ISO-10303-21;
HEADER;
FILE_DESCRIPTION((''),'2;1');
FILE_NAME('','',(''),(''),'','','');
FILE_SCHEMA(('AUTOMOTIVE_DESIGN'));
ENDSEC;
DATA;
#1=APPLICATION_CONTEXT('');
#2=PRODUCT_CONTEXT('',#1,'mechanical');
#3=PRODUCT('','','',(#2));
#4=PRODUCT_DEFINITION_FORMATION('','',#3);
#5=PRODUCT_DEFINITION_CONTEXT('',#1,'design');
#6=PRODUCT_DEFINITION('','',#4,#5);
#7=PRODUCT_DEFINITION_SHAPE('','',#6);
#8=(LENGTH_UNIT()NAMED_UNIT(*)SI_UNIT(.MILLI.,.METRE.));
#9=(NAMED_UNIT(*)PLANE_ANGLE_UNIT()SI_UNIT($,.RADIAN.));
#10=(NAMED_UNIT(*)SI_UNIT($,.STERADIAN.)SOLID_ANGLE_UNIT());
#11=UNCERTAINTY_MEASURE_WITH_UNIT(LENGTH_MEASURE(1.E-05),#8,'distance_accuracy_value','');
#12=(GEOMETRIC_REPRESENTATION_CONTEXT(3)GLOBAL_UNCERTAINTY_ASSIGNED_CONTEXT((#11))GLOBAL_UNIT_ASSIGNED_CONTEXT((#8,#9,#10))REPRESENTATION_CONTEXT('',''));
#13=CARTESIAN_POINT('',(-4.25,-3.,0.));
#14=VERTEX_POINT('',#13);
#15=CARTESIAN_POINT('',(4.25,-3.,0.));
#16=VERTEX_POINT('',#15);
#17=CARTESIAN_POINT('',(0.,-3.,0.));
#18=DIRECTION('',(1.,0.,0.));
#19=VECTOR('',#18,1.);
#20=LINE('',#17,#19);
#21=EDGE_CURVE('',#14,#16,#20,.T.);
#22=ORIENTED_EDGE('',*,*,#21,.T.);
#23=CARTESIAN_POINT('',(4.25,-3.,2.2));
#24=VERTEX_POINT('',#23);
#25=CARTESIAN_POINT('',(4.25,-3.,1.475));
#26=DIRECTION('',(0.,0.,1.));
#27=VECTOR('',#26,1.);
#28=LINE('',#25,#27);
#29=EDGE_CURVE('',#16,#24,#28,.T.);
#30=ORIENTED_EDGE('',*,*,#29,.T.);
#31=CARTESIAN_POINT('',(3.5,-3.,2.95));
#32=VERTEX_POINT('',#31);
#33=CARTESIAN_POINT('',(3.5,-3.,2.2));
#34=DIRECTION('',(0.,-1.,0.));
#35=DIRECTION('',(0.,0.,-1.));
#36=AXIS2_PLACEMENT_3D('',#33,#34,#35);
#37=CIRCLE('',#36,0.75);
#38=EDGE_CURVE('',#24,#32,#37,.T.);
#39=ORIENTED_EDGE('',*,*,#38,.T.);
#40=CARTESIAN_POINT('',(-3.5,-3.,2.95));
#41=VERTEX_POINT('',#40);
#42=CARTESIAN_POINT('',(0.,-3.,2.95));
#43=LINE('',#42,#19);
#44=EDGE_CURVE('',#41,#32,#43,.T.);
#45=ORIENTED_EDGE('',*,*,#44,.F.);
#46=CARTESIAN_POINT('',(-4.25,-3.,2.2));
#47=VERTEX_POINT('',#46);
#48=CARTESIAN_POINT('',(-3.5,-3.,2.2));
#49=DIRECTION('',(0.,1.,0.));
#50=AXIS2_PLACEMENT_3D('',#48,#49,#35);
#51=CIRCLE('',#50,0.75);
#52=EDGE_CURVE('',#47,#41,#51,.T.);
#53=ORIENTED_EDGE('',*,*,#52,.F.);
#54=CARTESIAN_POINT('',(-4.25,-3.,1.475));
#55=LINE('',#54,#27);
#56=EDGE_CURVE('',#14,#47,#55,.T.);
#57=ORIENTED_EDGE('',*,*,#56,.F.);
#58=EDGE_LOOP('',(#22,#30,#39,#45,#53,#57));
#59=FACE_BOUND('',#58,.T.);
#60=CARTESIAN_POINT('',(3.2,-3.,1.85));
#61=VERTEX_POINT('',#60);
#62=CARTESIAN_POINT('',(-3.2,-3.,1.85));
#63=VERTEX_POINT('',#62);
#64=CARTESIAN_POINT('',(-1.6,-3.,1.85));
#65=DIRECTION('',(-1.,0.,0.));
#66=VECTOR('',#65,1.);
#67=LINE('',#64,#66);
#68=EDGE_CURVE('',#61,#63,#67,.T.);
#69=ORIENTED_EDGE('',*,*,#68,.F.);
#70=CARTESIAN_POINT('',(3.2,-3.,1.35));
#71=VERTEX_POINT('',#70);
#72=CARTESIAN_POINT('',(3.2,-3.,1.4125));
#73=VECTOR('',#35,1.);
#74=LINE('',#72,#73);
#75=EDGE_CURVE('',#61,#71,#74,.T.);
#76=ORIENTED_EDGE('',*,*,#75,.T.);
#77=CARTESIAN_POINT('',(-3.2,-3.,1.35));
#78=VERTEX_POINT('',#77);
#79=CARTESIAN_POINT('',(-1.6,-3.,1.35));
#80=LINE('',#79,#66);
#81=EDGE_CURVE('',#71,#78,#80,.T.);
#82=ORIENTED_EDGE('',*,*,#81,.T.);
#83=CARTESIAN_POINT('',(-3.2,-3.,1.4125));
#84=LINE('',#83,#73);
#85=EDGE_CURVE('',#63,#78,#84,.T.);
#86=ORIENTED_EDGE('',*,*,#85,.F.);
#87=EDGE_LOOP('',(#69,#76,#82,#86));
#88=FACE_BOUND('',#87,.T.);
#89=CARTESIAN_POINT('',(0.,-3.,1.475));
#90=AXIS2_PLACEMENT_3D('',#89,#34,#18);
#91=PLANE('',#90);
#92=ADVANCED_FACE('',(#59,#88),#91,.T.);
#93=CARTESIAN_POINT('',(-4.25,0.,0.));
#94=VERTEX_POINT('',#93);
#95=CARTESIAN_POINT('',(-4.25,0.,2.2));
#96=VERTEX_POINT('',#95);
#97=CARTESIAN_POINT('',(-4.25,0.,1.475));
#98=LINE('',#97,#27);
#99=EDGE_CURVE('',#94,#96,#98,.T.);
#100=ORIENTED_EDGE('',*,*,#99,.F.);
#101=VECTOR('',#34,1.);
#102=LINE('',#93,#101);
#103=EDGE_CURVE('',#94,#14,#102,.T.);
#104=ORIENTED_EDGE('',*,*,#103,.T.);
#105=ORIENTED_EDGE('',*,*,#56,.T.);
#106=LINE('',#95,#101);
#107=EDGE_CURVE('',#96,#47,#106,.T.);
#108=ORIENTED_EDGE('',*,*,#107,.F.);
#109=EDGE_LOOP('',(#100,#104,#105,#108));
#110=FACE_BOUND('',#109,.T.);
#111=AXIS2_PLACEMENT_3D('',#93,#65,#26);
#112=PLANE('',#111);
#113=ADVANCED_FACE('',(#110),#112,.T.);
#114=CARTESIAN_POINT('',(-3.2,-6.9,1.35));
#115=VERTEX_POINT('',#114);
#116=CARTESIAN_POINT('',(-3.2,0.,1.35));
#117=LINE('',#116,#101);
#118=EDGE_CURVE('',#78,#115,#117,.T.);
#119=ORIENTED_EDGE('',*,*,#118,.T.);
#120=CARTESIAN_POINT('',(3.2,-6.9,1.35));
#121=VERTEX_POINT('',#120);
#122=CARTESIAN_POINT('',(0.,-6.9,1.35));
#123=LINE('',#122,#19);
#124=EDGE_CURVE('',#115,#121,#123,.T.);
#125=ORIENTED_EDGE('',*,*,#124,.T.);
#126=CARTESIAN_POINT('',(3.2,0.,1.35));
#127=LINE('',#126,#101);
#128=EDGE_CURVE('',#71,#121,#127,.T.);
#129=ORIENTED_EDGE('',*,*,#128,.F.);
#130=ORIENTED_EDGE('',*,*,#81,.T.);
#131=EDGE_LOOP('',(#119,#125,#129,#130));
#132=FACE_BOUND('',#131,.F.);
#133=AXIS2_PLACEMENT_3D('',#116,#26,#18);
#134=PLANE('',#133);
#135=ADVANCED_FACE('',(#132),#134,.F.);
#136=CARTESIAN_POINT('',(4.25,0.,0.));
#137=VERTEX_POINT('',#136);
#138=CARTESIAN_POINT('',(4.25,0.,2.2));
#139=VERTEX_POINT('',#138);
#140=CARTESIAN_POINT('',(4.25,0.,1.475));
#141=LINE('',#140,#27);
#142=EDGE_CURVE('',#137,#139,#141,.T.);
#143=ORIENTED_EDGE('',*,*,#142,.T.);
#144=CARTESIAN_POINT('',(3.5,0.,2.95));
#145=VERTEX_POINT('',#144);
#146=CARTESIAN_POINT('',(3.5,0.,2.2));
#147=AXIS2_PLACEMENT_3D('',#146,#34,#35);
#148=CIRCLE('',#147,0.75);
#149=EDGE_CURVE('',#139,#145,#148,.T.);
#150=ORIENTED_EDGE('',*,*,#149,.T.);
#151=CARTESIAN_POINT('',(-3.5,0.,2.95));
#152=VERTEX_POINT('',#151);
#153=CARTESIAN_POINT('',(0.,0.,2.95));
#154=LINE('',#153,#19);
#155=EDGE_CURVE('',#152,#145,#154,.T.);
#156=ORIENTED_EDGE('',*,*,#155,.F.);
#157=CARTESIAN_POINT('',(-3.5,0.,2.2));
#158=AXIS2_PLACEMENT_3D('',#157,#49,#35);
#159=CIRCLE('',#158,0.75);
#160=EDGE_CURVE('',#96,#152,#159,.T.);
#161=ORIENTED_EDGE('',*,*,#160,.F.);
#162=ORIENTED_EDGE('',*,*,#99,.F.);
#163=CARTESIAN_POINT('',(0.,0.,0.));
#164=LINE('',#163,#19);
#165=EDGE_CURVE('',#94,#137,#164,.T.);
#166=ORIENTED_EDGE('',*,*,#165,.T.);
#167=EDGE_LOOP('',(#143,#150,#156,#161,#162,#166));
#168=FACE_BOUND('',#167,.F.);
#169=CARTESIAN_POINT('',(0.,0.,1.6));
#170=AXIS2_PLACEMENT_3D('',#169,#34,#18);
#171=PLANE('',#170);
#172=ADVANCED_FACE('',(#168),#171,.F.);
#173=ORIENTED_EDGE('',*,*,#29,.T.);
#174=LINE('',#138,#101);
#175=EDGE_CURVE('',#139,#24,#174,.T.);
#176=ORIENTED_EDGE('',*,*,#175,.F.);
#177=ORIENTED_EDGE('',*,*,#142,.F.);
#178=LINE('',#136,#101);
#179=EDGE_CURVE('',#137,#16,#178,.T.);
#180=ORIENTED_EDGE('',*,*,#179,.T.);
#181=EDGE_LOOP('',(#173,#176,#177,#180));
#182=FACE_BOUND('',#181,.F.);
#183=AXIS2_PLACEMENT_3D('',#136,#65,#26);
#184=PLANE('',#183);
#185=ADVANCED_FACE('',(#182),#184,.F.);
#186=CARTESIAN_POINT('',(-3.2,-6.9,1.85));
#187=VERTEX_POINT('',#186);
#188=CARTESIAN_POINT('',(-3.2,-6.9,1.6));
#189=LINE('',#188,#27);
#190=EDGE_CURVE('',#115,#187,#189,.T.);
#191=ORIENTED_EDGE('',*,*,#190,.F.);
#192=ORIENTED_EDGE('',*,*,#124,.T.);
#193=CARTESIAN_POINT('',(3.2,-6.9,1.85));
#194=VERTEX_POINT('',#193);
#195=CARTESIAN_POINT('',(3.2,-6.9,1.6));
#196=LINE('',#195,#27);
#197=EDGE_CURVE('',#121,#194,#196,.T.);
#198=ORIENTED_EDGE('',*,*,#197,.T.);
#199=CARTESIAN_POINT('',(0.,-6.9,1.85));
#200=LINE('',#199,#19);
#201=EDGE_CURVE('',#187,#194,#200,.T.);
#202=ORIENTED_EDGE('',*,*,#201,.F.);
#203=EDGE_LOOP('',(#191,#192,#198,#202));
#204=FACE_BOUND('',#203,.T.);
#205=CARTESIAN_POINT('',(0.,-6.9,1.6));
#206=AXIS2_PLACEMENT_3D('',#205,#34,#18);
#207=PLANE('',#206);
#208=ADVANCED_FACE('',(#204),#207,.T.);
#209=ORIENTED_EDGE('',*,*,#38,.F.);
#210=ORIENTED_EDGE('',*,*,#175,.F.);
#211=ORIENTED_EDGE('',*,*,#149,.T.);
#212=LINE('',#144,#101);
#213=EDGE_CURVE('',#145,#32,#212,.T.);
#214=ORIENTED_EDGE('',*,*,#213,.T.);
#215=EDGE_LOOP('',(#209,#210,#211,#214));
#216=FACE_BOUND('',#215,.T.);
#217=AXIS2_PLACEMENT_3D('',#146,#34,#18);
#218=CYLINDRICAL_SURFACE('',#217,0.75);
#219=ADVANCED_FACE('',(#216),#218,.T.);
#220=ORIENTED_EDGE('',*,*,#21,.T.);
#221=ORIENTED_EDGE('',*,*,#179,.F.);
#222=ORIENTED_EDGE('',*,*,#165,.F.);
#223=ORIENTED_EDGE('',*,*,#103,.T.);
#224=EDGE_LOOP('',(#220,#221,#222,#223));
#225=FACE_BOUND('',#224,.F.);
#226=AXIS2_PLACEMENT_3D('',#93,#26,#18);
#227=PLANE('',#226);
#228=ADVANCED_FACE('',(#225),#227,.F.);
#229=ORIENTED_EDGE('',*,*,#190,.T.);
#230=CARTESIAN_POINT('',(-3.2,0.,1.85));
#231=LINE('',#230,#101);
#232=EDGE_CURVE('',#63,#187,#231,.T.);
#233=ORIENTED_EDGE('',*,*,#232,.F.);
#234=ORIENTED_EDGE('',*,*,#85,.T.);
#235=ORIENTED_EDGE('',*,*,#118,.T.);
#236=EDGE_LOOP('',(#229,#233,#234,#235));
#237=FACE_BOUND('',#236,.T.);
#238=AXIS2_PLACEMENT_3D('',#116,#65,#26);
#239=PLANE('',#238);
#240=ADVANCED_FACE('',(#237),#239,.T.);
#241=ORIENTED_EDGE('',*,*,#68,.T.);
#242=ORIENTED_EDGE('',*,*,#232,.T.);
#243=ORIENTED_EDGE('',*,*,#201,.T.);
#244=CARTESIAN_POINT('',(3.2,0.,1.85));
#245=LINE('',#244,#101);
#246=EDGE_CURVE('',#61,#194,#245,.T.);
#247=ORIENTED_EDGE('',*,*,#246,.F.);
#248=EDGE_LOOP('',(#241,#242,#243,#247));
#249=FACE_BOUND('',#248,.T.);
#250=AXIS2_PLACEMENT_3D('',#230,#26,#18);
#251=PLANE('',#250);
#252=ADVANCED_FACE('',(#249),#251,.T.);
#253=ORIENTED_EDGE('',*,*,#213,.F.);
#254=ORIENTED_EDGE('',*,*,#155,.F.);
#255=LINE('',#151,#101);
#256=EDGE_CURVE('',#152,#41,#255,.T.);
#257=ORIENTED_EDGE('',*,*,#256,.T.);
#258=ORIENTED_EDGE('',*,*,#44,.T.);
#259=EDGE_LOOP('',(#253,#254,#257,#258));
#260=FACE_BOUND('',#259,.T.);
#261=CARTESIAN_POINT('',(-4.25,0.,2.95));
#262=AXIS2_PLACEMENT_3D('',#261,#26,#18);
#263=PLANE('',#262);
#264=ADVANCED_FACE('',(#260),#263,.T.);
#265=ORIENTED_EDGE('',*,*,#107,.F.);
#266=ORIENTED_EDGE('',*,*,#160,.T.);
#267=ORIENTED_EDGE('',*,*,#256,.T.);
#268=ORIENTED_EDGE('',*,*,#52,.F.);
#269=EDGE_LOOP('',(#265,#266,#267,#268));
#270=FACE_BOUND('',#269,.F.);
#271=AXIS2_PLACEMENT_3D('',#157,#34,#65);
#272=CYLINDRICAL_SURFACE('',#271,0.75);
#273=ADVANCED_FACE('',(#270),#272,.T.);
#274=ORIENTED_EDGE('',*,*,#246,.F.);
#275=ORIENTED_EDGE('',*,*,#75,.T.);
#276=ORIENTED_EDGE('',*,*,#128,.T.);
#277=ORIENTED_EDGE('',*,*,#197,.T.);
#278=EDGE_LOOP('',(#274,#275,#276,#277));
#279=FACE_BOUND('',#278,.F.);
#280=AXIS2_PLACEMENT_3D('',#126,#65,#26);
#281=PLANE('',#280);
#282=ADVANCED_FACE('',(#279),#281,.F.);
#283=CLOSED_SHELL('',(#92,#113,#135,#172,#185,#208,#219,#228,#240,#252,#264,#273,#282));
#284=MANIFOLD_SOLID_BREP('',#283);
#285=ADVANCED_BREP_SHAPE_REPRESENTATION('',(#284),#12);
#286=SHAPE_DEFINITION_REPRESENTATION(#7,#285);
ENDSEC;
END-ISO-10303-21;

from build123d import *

# Parameters (mm, degrees)
BOX001_W                  = 6.4
BOX001_H                  = 0.5
BOX001_DEPTH              = 6.9
BOX067_W                  = 8.5
BOX067_H                  = 2.95
BOX067_DEPTH              = 3
FILLET017_R               = 0.75
FUSION051_PLACEMENT_ANGLE = 90


with BuildPart() as cube043:
    # Box001 → Box001 (new body)
    with BuildSketch(Plane(origin=(-3.2, 1.35, 0), x_dir=(1, 0, 0), z_dir=(0, 0, 1))):
        with Locations((3.2, 0.25)):
            Rectangle(BOX001_W, BOX001_H)
    extrude(amount=BOX001_DEPTH)


with BuildPart() as body013:
    # Box067 → Box067 (new body)
    with BuildSketch(Plane(origin=(-4.25, 0, 0), x_dir=(1, 0, 0), z_dir=(0, 0, 1))):
        with Locations((4.25, 1.475)):
            Rectangle(BOX067_W, BOX067_H)
    extrude(amount=BOX067_DEPTH)

    # Fillet017
    fillet017_edges = [body013.edges().sort_by_distance(p)[0] for p in [
        (-4.25, 2.95, 1.5),
        (4.25, 2.95, 1.5),
    ]]
    fillet(fillet017_edges, radius=FILLET017_R)

    # Fusion051: union Cube043
    add(cube043.part)


with BuildPart() as body013_1:
    # Fusion051 placement: moved
    add(body013.part.rotate(Axis((0, 0, 0), (1, 0, 0)), FUSION051_PLACEMENT_ANGLE))


solid = body013_1.part
